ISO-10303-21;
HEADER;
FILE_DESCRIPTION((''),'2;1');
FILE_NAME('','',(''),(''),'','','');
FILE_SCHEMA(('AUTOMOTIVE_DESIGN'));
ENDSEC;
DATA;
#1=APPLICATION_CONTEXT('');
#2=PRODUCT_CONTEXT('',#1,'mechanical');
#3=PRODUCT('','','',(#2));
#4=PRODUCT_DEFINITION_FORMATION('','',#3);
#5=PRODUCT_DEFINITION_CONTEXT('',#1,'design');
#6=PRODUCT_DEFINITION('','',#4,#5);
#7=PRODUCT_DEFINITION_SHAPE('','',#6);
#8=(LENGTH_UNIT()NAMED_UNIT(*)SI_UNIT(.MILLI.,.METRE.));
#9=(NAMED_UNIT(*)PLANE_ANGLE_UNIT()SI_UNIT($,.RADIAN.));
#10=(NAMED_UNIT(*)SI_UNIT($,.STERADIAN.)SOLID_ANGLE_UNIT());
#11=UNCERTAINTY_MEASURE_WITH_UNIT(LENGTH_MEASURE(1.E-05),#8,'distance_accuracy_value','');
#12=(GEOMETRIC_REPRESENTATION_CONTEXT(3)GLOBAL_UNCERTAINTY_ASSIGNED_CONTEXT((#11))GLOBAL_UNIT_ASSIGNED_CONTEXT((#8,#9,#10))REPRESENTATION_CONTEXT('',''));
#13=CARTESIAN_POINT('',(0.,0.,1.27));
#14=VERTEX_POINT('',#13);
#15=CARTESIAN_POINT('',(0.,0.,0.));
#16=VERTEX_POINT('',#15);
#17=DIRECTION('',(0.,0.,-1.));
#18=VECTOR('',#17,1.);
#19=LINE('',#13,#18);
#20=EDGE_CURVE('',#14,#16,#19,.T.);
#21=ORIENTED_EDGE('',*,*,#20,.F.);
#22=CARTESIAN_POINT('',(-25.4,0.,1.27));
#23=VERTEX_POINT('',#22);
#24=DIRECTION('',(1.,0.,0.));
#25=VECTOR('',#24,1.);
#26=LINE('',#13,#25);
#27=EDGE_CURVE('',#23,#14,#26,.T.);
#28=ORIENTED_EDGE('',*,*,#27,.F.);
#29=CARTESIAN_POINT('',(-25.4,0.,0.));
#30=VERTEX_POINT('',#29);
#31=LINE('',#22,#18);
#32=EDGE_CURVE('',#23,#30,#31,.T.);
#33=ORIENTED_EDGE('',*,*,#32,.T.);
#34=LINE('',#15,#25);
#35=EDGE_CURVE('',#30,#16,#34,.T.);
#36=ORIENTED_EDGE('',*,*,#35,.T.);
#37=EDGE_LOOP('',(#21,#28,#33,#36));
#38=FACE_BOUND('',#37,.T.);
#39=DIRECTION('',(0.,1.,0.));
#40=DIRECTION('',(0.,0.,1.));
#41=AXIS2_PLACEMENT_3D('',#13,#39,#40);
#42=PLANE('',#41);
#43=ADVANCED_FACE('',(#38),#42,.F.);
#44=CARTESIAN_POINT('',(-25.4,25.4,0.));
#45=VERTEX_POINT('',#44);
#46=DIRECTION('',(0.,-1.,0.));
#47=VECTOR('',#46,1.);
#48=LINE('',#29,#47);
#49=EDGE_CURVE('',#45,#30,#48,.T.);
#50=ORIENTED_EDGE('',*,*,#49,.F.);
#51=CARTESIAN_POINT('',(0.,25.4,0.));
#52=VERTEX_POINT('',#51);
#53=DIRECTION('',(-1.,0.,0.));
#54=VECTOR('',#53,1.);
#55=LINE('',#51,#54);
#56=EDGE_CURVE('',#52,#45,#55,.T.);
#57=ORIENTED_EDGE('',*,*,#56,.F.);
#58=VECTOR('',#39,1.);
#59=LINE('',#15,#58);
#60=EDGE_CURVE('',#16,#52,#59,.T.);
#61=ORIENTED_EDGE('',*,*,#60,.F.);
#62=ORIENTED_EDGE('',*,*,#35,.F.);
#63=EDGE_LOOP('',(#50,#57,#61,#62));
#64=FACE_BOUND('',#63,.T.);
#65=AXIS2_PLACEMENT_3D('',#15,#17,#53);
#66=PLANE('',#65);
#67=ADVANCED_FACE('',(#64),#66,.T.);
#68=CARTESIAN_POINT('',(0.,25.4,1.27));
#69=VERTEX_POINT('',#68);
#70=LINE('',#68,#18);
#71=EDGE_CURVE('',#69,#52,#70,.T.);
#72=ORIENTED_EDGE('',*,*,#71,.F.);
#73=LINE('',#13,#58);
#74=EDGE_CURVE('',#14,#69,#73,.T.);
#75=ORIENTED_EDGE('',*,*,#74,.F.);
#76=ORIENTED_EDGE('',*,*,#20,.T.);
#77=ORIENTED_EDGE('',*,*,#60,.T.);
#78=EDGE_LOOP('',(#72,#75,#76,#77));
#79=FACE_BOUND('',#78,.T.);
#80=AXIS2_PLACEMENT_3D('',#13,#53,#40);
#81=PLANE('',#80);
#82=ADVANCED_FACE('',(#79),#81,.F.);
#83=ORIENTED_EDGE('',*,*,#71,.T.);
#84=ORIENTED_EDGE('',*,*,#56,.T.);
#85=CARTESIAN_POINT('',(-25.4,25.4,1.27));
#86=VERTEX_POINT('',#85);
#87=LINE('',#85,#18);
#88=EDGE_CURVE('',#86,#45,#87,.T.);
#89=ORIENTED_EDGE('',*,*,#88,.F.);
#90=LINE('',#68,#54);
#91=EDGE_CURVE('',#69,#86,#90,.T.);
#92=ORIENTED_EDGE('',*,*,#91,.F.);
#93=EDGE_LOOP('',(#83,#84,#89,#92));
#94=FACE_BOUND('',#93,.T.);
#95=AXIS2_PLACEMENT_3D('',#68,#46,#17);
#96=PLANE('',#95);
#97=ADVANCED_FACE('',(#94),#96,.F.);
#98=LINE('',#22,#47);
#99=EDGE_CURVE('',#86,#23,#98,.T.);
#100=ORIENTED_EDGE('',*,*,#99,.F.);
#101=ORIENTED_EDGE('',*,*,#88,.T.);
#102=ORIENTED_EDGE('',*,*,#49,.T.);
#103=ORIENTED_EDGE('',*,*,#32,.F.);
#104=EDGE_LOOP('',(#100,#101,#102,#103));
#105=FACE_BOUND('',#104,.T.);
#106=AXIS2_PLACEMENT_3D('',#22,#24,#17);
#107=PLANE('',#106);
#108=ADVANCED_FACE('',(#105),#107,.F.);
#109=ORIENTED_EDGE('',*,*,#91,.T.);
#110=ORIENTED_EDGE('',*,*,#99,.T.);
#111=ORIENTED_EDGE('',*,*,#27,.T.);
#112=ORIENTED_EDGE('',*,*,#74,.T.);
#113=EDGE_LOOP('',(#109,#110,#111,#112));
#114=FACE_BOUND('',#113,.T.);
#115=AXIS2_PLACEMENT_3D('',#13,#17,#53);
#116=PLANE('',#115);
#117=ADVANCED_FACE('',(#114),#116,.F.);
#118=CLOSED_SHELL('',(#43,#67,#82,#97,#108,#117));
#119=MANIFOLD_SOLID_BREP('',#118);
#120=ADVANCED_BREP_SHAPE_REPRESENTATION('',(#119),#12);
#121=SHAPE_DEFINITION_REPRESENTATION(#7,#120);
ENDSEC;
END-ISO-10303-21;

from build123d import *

# Parameters (mm, degrees)
SKETCH1_W           = 25.4
SKETCH1_H           = 25.4
BOSS_EXTRUDE1_DEPTH = 1.27


with BuildPart() as part:
    # Sketch1 → Boss-Extrude1 (new body)
    with BuildSketch(Plane(origin=(0, 0, 0), x_dir=(0, 1, 0), z_dir=(0, 0, 1))):
        with Locations((12.7, 12.7)):
            Rectangle(SKETCH1_W, SKETCH1_H)
    extrude(amount=BOSS_EXTRUDE1_DEPTH)


solid = part.part
